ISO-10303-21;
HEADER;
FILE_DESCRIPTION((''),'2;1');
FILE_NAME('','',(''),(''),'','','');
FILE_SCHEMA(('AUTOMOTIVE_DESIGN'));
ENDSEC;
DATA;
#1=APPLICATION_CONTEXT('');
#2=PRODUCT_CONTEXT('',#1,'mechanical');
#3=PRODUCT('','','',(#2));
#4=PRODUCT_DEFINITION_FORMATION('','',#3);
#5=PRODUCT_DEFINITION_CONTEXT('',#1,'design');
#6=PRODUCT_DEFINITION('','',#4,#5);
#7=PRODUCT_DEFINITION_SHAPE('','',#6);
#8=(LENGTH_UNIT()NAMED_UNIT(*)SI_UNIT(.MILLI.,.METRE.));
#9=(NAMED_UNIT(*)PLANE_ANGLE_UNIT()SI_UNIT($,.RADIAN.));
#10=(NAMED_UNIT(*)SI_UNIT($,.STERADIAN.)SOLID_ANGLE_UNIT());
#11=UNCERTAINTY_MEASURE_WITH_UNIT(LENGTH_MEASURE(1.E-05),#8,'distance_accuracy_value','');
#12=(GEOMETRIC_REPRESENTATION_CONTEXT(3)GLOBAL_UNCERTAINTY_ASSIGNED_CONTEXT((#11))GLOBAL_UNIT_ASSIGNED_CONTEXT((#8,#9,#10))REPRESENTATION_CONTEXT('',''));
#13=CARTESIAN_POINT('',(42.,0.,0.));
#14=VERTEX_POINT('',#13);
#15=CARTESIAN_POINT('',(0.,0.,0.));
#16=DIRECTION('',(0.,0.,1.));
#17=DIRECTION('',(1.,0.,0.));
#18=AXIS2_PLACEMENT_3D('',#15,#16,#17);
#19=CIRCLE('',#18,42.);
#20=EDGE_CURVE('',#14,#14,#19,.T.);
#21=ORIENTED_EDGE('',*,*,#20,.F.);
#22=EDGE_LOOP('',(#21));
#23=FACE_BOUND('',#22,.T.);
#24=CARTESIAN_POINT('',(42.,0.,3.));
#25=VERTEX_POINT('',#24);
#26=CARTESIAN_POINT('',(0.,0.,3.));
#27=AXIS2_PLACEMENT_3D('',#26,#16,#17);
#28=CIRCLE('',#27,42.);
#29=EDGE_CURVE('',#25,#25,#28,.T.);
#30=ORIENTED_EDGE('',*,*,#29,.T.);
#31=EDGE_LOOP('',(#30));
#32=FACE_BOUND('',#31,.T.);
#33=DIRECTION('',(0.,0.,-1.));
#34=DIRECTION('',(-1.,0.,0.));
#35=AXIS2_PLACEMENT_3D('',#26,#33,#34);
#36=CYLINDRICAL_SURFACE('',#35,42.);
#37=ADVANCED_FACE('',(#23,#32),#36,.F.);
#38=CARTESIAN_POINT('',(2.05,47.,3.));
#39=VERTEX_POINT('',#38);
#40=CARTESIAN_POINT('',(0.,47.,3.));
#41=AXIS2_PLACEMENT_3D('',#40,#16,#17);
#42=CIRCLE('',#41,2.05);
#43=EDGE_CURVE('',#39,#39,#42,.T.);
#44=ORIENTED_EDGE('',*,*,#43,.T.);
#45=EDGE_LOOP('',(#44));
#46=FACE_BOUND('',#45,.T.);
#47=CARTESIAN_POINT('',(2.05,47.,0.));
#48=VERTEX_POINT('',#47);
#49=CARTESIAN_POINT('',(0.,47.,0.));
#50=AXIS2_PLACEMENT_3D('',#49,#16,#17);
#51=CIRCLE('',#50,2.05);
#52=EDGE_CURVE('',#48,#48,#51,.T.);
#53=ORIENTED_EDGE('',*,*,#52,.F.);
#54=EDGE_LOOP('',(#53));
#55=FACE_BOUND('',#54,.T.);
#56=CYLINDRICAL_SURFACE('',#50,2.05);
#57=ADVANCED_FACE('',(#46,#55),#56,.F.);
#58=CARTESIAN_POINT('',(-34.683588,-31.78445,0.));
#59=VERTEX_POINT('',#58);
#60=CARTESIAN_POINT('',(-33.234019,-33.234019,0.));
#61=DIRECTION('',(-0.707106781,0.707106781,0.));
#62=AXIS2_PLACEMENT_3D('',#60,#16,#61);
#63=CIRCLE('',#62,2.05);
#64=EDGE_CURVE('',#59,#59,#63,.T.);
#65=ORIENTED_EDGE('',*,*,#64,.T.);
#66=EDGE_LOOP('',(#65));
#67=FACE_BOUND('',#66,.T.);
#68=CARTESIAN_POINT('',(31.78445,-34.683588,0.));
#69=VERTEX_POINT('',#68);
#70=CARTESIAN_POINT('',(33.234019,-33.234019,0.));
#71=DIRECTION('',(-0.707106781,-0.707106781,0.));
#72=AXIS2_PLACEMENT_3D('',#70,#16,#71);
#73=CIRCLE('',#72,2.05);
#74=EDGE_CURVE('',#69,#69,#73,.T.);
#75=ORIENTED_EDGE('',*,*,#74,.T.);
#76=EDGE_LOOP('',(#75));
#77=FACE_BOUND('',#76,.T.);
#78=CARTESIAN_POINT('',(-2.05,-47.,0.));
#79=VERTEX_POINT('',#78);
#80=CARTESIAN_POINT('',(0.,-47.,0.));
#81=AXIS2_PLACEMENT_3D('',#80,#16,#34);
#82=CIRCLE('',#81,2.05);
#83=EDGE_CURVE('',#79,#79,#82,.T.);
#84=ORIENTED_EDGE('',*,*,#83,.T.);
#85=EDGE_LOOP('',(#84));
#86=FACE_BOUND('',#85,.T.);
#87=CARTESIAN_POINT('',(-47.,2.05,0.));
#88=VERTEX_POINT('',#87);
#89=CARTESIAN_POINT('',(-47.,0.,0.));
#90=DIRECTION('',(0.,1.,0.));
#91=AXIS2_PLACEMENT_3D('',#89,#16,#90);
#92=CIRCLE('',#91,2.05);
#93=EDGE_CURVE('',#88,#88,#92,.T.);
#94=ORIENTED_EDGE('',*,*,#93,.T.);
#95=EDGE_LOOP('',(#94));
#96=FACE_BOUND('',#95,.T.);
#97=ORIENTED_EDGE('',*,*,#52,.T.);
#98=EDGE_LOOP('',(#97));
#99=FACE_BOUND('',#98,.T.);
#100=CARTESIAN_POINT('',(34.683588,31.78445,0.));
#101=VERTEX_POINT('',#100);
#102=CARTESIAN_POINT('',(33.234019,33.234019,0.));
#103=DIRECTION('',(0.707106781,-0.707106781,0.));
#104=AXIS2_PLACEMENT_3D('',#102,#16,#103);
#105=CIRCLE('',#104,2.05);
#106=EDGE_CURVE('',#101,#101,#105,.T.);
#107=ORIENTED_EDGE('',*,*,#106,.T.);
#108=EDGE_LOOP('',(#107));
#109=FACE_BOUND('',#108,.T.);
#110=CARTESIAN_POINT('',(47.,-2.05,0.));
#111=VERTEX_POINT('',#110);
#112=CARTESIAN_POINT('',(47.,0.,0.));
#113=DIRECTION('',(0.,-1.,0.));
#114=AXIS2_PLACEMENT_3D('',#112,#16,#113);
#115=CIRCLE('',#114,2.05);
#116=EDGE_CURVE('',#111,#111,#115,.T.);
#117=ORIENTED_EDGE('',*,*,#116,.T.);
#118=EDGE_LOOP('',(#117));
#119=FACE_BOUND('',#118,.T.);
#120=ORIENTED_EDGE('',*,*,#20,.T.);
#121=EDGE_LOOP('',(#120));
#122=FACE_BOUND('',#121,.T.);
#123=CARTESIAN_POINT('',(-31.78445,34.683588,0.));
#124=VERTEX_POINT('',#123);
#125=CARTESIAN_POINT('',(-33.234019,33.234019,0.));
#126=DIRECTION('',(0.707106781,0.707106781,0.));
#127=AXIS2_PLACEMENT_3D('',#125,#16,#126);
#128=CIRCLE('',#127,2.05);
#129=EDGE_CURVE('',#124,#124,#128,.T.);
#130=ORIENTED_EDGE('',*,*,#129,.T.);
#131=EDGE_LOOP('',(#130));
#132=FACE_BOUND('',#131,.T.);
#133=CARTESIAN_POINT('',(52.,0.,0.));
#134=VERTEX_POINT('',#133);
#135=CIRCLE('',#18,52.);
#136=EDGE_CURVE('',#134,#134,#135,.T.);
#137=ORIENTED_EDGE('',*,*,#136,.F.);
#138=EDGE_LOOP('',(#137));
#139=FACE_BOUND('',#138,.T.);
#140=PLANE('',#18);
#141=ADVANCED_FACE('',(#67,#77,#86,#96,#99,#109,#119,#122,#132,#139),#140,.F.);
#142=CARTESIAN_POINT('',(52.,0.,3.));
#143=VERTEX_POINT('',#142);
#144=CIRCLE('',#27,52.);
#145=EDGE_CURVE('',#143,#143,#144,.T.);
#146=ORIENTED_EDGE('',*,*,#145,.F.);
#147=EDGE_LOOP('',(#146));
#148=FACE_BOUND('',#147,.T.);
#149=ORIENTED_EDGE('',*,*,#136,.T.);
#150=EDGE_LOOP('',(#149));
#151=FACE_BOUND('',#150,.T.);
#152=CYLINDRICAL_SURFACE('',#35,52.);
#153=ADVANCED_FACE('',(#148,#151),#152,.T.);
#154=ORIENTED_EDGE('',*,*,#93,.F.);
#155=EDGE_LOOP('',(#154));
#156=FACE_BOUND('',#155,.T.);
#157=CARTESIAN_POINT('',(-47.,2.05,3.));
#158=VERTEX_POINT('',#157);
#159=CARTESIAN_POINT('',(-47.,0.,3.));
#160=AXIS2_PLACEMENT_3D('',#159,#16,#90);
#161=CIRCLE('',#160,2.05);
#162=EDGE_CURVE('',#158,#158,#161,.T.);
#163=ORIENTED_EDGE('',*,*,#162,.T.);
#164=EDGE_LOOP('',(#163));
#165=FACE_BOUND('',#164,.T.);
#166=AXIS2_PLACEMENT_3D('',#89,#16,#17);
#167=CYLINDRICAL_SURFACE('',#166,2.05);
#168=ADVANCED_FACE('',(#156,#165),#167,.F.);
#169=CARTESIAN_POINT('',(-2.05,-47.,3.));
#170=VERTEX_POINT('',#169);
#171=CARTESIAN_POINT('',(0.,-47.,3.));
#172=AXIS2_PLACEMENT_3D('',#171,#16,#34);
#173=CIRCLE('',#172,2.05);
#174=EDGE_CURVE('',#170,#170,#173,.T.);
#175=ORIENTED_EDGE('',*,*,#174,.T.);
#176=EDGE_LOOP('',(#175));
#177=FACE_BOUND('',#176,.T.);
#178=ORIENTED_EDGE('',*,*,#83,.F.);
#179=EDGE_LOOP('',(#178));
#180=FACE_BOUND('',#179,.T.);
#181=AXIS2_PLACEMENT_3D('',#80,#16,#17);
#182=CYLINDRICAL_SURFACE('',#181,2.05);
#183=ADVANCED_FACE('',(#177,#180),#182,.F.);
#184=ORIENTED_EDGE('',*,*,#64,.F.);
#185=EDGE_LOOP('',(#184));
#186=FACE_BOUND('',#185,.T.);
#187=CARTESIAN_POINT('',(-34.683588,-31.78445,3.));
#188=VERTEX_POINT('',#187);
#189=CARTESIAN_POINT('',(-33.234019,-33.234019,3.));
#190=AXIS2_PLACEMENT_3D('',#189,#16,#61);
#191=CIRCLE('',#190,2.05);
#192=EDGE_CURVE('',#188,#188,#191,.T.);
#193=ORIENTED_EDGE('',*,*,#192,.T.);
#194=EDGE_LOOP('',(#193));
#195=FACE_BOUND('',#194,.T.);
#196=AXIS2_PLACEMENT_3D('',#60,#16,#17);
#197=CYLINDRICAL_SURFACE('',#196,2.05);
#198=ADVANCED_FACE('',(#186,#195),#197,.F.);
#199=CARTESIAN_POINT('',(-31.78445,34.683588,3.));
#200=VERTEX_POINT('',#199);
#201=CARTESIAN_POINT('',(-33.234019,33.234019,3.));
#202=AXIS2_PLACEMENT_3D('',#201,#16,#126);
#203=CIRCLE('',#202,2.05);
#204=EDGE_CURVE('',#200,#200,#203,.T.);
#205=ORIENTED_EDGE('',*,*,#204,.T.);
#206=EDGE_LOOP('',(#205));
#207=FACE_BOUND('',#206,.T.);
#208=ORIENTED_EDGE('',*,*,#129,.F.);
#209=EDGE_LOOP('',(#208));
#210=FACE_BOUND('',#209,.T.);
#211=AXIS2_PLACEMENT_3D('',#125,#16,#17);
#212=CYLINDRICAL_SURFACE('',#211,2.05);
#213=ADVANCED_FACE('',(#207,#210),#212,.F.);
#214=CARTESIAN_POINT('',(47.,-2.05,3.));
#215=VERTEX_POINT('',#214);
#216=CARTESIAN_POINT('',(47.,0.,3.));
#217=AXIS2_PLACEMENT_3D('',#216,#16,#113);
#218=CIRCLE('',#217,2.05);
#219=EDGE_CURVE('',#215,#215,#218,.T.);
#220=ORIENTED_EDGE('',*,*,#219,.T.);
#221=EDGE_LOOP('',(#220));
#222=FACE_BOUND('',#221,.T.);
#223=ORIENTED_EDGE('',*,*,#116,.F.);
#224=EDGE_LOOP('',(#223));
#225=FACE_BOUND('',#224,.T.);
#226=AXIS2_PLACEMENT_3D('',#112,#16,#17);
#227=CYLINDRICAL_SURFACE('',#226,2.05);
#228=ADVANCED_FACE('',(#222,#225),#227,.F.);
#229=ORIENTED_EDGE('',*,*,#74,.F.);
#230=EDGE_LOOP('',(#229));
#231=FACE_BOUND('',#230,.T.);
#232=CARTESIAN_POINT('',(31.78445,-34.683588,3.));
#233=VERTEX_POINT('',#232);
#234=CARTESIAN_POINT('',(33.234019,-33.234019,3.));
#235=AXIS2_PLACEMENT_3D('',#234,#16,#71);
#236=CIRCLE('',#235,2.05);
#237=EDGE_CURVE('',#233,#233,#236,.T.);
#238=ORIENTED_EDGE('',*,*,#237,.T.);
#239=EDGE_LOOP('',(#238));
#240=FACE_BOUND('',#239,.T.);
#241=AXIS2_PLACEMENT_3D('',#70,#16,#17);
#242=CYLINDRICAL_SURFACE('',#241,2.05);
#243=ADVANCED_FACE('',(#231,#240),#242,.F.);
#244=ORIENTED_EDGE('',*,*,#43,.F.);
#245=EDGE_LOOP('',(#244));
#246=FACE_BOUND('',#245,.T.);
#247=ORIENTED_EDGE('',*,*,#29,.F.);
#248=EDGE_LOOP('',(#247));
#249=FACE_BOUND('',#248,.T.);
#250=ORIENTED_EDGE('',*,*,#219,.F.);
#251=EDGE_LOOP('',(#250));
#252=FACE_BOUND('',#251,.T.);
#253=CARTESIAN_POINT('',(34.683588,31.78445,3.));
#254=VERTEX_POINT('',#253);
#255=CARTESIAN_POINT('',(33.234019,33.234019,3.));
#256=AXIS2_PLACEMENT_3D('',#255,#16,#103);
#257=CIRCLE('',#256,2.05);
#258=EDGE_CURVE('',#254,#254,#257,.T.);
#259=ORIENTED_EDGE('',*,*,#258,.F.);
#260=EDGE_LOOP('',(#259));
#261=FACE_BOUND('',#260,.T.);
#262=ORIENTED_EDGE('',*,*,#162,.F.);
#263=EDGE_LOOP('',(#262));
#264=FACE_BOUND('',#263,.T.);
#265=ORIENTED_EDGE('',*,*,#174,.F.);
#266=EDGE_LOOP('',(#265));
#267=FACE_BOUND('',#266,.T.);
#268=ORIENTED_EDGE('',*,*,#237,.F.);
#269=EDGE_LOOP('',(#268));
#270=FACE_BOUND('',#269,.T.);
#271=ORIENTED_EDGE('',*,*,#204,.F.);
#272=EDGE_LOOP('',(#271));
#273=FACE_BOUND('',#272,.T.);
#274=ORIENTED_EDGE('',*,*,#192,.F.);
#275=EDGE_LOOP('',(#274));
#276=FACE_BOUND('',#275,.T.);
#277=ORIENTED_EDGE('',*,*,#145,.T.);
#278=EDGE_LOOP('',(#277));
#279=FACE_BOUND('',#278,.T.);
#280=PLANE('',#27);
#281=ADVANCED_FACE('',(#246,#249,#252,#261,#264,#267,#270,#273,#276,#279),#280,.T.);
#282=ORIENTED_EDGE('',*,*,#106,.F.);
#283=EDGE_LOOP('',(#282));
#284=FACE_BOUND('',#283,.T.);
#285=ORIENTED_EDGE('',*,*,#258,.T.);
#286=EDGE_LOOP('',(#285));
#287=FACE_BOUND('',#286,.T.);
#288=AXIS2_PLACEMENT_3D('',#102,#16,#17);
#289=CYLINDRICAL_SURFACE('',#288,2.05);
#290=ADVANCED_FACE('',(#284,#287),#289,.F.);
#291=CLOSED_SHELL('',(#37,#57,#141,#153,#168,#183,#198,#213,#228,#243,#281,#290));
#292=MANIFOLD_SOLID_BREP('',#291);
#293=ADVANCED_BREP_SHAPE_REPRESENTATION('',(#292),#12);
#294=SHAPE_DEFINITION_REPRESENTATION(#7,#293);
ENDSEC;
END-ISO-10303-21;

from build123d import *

# Parameters (mm, degrees)
SKETCH1_R           = 52
SKETCH1_R_2         = 42
BOSS_EXTRUDE1_DEPTH = 3
SKETCH2_R           = 2.05
CUT_EXTRUDE1_DEPTH  = 3
CIRPATTERN1_COUNT   = 8


with BuildPart() as part:
    # Sketch1 → Boss-Extrude1 (new body)
    with BuildSketch(Plane.XY):
        Circle(SKETCH1_R)
        Circle(SKETCH1_R_2, mode=Mode.SUBTRACT)
    extrude(amount=BOSS_EXTRUDE1_DEPTH)

    # Sketch2 → Cut-Extrude1 (cut)
    with BuildSketch(Plane.XY.offset(3)):
        with Locations((0, 47)):
            Circle(SKETCH2_R)
    cut_extrude1 = extrude(amount=-CUT_EXTRUDE1_DEPTH, mode=Mode.SUBTRACT)

    # CirPattern1: Cut-Extrude1 ×8 about axis
    cirpattern1_axis = Axis((0, 0, 0), (0, 0, 1))
    for i in range(1, CIRPATTERN1_COUNT):
        add(cut_extrude1.rotate(cirpattern1_axis, i * 360 / CIRPATTERN1_COUNT), mode=Mode.SUBTRACT)


solid = part.part
